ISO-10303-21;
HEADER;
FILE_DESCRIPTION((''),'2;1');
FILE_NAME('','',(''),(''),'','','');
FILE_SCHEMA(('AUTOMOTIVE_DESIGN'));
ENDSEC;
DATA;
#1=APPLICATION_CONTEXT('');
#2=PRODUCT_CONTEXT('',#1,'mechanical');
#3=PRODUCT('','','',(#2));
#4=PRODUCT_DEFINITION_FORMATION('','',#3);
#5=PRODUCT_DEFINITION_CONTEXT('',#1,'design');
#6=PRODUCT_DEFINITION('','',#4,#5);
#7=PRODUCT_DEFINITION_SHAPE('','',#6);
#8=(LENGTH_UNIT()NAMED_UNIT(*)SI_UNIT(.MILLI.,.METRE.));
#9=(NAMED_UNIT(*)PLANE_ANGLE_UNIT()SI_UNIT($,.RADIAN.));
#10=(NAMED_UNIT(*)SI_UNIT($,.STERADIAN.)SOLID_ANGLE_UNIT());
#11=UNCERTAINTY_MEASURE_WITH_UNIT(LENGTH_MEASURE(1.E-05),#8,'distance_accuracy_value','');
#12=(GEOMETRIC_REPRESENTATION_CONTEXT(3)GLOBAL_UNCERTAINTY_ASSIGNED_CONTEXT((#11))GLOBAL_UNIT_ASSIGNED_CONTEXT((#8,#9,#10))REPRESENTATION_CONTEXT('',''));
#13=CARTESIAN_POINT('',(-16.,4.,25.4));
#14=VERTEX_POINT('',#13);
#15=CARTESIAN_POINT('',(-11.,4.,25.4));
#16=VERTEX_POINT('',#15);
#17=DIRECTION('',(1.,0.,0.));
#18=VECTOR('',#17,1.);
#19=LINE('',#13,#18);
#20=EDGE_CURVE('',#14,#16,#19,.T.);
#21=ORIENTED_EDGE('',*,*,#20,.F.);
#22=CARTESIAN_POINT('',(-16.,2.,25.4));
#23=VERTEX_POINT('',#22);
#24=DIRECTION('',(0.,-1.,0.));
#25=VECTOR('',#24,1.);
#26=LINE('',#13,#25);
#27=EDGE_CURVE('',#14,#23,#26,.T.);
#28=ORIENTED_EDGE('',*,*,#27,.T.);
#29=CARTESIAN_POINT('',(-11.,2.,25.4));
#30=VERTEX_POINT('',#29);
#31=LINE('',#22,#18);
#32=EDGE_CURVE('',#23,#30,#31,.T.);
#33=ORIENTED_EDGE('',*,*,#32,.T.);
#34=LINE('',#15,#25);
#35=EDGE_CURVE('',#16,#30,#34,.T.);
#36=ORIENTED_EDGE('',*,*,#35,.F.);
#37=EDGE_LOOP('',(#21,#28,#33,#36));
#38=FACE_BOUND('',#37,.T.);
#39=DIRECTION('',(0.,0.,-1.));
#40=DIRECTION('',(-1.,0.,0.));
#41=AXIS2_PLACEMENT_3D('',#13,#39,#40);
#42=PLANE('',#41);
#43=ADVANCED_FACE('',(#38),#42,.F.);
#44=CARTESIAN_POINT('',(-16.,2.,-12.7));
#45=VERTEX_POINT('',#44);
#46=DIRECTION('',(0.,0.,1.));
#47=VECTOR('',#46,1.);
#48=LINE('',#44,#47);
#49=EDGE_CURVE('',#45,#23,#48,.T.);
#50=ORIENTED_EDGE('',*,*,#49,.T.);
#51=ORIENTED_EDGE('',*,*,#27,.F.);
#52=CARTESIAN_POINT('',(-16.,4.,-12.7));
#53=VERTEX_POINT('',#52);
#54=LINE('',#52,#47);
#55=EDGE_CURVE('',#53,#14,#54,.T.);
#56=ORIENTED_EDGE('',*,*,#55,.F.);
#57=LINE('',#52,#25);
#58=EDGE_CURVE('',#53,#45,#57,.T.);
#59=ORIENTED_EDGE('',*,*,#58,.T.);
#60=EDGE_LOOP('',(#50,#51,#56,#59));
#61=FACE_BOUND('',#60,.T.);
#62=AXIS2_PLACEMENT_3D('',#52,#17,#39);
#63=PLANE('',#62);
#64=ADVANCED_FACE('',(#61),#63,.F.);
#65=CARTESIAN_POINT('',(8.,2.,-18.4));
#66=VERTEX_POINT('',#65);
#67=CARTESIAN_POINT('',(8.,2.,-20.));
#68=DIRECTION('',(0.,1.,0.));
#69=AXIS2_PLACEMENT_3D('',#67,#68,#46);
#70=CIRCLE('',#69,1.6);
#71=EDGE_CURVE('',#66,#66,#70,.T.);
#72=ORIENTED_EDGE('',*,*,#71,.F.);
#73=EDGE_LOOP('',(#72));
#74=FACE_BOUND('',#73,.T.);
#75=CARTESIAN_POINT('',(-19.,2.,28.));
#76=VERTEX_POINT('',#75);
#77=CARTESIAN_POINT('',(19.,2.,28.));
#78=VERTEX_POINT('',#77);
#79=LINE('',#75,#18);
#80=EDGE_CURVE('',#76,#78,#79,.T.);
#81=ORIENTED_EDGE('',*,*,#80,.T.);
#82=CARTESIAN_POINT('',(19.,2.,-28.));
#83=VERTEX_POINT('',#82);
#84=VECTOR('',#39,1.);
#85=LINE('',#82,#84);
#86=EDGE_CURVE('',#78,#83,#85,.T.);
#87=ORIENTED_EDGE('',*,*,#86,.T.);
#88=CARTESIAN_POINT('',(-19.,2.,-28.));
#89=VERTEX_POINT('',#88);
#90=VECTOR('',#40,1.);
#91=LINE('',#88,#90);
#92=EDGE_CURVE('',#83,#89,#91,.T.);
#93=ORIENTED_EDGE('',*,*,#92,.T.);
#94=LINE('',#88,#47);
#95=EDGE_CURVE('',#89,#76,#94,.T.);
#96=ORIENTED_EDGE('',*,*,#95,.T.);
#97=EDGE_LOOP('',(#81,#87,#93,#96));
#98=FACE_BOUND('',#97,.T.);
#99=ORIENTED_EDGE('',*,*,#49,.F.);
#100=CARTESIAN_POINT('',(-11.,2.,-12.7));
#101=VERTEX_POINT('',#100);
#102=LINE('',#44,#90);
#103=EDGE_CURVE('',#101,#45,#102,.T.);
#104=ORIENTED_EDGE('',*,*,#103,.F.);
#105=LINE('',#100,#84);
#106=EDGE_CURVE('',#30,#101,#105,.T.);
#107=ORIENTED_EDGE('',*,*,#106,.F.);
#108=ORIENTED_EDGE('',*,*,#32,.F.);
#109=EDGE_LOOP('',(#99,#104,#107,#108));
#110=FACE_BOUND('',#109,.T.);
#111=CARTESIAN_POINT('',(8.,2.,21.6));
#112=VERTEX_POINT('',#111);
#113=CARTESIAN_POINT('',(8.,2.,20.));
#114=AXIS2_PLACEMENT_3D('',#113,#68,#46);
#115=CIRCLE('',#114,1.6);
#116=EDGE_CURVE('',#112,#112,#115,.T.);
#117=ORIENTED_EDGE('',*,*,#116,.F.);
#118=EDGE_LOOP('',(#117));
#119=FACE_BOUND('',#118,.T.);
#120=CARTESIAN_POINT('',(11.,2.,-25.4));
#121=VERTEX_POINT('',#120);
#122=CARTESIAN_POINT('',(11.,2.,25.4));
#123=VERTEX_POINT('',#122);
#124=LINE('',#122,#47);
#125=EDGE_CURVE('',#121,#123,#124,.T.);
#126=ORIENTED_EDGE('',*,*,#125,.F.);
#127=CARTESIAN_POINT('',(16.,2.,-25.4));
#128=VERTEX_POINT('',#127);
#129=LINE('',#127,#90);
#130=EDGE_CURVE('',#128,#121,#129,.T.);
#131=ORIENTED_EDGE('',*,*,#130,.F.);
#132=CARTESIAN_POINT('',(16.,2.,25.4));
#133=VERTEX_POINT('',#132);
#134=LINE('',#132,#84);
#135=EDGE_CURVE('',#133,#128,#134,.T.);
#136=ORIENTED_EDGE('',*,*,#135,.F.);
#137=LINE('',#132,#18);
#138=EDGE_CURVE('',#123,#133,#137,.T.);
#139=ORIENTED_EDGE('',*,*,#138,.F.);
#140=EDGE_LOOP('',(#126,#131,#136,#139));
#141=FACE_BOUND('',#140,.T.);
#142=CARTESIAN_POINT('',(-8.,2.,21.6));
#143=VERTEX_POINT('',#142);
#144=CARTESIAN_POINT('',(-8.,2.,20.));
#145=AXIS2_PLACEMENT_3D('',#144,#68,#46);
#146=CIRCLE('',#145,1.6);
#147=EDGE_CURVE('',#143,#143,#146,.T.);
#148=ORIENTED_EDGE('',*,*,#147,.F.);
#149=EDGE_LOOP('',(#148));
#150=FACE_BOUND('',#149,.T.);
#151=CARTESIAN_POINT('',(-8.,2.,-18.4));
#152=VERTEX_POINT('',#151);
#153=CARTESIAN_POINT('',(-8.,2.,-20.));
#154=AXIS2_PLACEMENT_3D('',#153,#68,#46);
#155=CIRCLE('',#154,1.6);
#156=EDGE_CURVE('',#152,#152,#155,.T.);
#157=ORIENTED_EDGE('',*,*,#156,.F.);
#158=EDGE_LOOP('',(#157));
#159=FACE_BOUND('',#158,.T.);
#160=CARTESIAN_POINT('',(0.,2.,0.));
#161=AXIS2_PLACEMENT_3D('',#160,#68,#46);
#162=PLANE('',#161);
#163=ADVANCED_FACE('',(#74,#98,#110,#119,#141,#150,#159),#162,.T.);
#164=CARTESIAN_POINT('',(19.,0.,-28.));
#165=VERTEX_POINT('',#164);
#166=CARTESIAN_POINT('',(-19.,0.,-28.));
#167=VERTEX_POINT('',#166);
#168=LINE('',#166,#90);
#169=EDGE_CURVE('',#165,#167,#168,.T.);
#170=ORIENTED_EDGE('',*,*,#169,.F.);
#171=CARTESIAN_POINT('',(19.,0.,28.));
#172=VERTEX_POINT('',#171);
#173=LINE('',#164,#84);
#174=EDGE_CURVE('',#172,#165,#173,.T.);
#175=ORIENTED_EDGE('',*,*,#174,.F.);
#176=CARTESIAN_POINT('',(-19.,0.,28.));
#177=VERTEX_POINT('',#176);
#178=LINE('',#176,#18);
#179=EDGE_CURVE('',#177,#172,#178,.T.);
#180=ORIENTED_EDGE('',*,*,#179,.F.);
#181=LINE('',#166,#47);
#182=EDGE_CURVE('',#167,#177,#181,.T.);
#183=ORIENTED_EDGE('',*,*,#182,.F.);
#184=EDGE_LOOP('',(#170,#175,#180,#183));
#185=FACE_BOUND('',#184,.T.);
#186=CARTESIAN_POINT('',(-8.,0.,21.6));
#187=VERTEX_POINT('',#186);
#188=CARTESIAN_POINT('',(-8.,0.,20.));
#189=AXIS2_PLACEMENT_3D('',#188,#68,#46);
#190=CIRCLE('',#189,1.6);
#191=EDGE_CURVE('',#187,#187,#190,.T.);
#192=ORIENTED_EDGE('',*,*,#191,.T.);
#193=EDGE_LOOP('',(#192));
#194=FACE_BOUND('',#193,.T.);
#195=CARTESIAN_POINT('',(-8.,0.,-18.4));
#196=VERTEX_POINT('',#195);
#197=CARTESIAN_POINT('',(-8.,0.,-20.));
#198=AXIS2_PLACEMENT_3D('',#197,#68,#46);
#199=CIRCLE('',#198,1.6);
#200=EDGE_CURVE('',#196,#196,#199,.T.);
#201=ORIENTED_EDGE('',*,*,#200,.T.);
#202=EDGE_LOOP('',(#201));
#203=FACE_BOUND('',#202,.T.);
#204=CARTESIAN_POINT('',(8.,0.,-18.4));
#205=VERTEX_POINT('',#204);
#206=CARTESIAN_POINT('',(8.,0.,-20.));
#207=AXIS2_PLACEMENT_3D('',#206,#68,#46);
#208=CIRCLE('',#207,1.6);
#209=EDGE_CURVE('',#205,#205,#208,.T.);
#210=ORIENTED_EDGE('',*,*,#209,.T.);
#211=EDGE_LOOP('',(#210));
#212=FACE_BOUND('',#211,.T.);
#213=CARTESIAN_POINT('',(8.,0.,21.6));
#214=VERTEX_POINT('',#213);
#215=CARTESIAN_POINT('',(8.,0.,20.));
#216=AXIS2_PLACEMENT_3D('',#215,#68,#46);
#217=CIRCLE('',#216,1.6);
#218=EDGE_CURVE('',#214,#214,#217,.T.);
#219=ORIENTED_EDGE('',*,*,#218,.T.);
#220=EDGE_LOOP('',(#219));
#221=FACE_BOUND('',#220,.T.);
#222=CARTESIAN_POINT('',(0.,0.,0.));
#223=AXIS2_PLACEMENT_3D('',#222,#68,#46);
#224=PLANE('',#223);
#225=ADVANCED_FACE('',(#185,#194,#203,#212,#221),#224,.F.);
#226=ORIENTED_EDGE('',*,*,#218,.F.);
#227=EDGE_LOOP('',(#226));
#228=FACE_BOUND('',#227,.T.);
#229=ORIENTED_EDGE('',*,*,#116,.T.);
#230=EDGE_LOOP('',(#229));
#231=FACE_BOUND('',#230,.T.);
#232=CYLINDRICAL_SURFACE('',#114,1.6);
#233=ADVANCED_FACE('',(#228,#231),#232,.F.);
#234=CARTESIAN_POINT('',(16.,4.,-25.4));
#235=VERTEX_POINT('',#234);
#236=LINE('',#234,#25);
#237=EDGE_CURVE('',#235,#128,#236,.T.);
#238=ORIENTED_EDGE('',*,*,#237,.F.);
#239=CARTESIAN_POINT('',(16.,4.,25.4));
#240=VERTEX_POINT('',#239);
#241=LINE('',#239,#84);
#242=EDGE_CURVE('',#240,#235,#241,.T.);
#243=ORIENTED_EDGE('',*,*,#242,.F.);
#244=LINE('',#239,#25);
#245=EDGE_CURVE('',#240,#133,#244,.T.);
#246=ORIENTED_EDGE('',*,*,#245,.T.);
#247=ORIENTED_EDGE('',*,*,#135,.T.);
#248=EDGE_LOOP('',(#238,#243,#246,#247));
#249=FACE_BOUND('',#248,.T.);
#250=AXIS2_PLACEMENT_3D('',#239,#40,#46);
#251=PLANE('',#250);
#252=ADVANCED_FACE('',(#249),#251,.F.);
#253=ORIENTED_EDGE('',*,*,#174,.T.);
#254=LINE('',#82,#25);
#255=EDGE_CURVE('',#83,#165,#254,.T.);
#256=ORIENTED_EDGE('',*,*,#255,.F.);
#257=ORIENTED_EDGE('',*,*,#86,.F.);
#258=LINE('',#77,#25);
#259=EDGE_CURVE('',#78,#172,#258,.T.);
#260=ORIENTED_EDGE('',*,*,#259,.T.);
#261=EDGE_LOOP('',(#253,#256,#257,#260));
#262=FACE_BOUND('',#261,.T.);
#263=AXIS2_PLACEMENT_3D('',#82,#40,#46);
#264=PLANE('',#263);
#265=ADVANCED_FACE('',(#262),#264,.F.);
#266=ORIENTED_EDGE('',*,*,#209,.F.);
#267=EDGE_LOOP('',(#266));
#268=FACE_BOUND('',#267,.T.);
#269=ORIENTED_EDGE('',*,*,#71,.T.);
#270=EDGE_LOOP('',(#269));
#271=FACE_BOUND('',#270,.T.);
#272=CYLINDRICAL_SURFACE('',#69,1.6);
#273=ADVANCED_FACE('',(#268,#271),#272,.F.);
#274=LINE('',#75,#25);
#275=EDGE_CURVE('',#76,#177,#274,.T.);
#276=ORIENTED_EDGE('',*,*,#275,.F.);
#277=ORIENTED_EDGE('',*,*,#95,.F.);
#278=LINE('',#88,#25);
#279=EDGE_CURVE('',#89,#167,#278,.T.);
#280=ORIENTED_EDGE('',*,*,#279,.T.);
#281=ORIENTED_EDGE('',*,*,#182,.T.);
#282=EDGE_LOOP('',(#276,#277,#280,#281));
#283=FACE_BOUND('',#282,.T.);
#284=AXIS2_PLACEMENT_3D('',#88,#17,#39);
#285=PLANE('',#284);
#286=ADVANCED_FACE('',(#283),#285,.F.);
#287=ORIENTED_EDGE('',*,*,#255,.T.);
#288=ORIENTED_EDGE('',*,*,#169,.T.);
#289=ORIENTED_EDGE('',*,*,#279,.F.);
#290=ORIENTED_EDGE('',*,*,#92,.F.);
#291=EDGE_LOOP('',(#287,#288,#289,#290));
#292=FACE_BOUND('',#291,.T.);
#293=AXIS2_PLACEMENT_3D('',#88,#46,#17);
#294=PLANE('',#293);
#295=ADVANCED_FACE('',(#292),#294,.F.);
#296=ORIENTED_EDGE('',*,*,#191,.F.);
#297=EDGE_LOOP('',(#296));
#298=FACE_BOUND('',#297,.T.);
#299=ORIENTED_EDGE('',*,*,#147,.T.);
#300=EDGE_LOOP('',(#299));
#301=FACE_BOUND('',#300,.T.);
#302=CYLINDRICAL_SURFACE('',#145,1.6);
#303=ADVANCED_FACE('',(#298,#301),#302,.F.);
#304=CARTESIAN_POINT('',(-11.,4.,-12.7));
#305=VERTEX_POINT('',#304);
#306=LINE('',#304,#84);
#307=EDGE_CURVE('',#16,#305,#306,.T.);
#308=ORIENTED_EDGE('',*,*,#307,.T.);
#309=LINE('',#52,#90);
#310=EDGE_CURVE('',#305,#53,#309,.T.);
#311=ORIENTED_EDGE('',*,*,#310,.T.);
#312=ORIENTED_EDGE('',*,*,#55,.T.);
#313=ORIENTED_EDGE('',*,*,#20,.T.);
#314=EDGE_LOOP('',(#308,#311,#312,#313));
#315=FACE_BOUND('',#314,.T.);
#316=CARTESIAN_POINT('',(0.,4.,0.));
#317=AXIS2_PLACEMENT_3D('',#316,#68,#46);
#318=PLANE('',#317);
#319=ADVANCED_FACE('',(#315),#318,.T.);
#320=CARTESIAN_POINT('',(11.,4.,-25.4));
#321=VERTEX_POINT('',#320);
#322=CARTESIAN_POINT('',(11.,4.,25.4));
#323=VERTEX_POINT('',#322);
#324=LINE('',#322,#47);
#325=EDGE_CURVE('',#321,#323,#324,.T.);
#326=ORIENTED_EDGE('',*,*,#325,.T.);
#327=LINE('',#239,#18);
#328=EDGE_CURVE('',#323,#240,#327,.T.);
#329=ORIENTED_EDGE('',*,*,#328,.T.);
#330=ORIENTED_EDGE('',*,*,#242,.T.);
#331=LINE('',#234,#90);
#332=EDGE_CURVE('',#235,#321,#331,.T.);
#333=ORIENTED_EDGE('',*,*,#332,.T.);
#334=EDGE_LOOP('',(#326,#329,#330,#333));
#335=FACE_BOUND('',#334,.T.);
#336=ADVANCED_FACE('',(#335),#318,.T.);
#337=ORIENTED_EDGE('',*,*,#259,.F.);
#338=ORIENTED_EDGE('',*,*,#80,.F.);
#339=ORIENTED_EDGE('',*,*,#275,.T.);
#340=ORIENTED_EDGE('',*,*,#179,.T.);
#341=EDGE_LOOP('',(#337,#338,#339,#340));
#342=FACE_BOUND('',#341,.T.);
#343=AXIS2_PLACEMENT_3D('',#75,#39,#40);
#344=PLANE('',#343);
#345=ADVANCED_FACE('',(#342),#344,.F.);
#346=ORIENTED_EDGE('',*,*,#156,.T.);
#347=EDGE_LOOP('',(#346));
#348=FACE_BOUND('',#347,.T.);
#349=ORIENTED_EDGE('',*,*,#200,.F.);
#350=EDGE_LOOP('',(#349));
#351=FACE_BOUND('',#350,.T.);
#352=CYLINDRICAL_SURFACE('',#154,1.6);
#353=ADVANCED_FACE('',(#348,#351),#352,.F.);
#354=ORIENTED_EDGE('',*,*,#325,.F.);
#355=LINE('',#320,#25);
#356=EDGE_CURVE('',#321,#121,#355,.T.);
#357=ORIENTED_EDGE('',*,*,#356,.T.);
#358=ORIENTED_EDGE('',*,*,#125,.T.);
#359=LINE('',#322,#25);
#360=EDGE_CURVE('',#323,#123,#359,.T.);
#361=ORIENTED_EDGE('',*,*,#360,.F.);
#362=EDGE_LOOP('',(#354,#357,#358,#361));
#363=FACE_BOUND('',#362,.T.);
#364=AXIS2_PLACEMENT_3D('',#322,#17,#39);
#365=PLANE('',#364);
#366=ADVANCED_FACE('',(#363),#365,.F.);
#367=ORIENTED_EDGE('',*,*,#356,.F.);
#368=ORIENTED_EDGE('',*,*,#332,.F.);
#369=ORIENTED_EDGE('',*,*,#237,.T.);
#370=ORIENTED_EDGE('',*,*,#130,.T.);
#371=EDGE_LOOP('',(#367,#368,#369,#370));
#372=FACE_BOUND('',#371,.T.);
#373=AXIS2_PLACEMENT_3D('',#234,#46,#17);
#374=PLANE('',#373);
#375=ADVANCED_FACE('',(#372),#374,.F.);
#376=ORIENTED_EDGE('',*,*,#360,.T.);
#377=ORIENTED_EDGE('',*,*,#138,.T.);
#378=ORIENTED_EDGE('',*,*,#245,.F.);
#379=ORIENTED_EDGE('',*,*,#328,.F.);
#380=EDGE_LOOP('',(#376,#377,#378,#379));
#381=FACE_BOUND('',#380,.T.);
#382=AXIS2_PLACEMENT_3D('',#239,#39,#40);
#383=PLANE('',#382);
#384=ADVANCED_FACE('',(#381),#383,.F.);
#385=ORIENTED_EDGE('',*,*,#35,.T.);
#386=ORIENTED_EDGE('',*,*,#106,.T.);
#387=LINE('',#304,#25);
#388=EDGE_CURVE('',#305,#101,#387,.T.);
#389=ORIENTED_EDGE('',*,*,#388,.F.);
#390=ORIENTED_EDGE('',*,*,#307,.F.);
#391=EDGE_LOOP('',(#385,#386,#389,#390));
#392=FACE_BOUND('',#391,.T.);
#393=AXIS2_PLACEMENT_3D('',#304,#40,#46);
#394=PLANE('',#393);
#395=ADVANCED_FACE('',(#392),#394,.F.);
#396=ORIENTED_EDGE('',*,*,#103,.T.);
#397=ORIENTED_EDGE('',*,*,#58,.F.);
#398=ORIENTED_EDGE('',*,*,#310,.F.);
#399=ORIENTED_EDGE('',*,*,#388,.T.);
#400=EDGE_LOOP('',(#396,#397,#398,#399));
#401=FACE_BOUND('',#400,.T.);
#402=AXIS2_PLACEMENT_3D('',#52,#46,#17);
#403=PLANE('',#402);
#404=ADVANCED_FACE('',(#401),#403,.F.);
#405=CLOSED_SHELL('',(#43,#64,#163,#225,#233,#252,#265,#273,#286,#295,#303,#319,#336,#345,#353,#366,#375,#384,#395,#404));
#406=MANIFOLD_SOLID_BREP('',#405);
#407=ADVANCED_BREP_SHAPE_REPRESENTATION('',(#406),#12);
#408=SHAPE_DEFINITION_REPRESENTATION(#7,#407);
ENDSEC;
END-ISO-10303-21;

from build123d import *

# Parameters (mm, degrees)
SKETCH1_W                  = 38
SKETCH1_H                  = 56
BOSS_EXTRUDE1_DEPTH        = 2
SKETCH2_W                  = 5
SKETCH2_H                  = 38.1
SKETCH2_H_2                = 50.8
BOSS_EXTRUDE2_DEPTH        = 2
F_3_2_3_2_DIAMETER_HOLE1_D = 3.2


with BuildPart() as part:
    # Sketch1 → Boss-Extrude1 (new body)
    with BuildSketch(Plane(origin=(0, 0, 0), x_dir=(1, 0, 0), z_dir=(0, 1, 0))):
        Rectangle(SKETCH1_W, SKETCH1_H)
    extrude(amount=BOSS_EXTRUDE1_DEPTH)

    # Sketch2 → Boss-Extrude2 (add)
    with BuildSketch(Plane(origin=(0, 2, 0), x_dir=(1, 0, 0), z_dir=(0, 1, 0))):
        with Locations((-13.5, -6.35)):
            Rectangle(SKETCH2_W, SKETCH2_H)
        with Locations((13.5, 0)):
            Rectangle(SKETCH2_W, SKETCH2_H_2)
    extrude(amount=BOSS_EXTRUDE2_DEPTH)

    # Ø3.2 (3.2) Diameter Hole1 (through all)
    with Locations(Plane(origin=(0, 2, 0), x_dir=(1, 0, 0), z_dir=(0, 1, 0))):
        with Locations((-8, -20), (8, -20), (-8, 20), (8, 20)):
            Hole(F_3_2_3_2_DIAMETER_HOLE1_D / 2)


solid = part.part
